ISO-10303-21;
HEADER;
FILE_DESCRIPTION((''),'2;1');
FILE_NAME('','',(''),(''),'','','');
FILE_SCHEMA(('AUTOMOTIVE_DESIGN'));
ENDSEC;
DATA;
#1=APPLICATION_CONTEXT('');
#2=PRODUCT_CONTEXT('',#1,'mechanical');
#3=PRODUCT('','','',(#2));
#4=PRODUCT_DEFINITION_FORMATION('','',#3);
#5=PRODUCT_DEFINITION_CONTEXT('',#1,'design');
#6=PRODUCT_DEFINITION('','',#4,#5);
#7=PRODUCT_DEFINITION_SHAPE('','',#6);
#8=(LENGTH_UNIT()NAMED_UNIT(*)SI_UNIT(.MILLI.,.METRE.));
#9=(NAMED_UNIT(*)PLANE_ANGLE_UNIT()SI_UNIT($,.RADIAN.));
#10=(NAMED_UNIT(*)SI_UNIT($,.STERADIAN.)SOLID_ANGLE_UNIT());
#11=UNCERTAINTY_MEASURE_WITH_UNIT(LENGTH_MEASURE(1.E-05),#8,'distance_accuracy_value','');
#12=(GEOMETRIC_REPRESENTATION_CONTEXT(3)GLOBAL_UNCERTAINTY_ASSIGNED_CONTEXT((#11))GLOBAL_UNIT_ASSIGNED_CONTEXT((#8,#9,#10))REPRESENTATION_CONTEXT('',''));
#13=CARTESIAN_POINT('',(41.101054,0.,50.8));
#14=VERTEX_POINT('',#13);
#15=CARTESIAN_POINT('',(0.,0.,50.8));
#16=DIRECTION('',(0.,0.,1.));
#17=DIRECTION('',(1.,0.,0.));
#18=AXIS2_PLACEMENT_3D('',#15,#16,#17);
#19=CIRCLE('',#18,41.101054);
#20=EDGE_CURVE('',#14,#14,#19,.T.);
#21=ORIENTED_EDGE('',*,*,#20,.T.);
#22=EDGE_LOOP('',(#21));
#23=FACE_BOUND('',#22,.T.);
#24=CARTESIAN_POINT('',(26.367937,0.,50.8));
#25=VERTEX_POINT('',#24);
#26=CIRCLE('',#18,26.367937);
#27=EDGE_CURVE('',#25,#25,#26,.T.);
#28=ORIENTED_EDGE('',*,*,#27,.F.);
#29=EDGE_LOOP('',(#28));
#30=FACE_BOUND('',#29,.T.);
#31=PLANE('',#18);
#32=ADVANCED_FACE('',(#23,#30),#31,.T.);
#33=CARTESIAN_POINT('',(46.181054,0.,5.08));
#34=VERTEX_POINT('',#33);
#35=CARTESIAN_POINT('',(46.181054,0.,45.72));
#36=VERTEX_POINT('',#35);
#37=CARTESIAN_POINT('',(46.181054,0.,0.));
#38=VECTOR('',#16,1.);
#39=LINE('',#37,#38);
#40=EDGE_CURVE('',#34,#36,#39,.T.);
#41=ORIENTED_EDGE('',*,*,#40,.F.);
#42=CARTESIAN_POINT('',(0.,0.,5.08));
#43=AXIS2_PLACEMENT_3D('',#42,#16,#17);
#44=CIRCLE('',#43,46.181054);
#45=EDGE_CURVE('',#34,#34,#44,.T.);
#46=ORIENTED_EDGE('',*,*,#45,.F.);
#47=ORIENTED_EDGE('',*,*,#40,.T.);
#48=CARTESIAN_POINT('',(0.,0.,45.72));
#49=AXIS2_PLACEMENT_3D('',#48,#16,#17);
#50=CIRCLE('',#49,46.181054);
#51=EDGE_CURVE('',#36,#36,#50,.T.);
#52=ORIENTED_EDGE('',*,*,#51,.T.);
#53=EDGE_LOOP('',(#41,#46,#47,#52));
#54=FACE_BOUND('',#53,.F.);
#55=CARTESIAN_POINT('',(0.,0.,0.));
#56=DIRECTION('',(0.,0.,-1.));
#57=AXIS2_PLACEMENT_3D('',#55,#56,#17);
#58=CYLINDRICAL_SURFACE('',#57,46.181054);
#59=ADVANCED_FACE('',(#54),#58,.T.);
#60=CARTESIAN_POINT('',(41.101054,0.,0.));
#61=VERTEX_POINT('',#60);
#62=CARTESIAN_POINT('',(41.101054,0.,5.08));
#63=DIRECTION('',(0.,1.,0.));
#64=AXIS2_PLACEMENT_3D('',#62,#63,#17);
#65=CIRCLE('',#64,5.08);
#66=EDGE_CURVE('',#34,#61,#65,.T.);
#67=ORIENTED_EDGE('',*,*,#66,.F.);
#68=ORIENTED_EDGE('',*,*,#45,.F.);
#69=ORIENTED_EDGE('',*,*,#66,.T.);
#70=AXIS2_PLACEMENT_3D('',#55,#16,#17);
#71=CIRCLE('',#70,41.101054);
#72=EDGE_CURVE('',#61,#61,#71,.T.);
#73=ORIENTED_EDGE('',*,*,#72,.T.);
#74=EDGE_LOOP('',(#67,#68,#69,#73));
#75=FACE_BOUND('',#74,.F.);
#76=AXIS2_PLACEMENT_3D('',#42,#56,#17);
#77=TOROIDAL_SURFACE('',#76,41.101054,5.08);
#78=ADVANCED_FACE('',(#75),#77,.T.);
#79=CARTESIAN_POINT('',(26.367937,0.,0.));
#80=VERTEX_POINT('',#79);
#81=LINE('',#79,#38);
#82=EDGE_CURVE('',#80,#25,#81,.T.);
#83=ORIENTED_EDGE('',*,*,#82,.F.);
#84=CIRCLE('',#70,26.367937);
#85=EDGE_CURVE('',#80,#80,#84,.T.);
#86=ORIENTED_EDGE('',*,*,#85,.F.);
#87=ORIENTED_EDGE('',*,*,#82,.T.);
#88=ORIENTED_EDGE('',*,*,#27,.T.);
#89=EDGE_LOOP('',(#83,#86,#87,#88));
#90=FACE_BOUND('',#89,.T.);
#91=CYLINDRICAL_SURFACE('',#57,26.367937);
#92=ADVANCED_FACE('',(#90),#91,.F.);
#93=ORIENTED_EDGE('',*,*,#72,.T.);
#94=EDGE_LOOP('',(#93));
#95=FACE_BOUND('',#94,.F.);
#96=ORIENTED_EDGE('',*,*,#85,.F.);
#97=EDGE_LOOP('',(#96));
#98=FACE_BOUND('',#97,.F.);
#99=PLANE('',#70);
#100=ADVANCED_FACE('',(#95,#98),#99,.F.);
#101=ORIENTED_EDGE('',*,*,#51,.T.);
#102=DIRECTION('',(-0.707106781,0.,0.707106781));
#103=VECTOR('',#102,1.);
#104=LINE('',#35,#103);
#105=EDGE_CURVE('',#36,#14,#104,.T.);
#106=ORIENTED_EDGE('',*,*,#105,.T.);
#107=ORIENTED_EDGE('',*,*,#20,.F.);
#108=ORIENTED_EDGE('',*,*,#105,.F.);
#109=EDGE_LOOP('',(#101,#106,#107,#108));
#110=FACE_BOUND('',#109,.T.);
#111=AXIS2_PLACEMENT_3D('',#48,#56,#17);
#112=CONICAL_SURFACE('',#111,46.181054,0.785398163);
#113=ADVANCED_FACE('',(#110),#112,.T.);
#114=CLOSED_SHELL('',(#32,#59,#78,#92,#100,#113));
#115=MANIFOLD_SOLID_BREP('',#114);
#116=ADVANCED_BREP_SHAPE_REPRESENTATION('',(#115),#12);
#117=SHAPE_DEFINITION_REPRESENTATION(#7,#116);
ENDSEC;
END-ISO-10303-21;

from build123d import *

# Parameters (mm, degrees)
F0_R     = 46.181054
F0_R_2   = 26.367937
F1_DEPTH = 50.8
F2_SIZE  = 5.08
F3_R     = 5.08


with BuildPart() as f1:
    # F0 (on Top) → F1 (new body)
    with BuildSketch(Plane.XY):
        Circle(F0_R)
        Circle(F0_R_2, mode=Mode.SUBTRACT)
    extrude(amount=F1_DEPTH)

    # F2
    f2_edges = [f1.edges().sort_by_distance(p)[0] for p in [
        (-46.181054, 0, 50.8),
    ]]
    chamfer(f2_edges, length=F2_SIZE)

    # F3
    f3_edges = [f1.edges().sort_by_distance(p)[0] for p in [
        (-46.181054, 0, 0),
    ]]
    fillet(f3_edges, radius=F3_R)


solid = f1.part
